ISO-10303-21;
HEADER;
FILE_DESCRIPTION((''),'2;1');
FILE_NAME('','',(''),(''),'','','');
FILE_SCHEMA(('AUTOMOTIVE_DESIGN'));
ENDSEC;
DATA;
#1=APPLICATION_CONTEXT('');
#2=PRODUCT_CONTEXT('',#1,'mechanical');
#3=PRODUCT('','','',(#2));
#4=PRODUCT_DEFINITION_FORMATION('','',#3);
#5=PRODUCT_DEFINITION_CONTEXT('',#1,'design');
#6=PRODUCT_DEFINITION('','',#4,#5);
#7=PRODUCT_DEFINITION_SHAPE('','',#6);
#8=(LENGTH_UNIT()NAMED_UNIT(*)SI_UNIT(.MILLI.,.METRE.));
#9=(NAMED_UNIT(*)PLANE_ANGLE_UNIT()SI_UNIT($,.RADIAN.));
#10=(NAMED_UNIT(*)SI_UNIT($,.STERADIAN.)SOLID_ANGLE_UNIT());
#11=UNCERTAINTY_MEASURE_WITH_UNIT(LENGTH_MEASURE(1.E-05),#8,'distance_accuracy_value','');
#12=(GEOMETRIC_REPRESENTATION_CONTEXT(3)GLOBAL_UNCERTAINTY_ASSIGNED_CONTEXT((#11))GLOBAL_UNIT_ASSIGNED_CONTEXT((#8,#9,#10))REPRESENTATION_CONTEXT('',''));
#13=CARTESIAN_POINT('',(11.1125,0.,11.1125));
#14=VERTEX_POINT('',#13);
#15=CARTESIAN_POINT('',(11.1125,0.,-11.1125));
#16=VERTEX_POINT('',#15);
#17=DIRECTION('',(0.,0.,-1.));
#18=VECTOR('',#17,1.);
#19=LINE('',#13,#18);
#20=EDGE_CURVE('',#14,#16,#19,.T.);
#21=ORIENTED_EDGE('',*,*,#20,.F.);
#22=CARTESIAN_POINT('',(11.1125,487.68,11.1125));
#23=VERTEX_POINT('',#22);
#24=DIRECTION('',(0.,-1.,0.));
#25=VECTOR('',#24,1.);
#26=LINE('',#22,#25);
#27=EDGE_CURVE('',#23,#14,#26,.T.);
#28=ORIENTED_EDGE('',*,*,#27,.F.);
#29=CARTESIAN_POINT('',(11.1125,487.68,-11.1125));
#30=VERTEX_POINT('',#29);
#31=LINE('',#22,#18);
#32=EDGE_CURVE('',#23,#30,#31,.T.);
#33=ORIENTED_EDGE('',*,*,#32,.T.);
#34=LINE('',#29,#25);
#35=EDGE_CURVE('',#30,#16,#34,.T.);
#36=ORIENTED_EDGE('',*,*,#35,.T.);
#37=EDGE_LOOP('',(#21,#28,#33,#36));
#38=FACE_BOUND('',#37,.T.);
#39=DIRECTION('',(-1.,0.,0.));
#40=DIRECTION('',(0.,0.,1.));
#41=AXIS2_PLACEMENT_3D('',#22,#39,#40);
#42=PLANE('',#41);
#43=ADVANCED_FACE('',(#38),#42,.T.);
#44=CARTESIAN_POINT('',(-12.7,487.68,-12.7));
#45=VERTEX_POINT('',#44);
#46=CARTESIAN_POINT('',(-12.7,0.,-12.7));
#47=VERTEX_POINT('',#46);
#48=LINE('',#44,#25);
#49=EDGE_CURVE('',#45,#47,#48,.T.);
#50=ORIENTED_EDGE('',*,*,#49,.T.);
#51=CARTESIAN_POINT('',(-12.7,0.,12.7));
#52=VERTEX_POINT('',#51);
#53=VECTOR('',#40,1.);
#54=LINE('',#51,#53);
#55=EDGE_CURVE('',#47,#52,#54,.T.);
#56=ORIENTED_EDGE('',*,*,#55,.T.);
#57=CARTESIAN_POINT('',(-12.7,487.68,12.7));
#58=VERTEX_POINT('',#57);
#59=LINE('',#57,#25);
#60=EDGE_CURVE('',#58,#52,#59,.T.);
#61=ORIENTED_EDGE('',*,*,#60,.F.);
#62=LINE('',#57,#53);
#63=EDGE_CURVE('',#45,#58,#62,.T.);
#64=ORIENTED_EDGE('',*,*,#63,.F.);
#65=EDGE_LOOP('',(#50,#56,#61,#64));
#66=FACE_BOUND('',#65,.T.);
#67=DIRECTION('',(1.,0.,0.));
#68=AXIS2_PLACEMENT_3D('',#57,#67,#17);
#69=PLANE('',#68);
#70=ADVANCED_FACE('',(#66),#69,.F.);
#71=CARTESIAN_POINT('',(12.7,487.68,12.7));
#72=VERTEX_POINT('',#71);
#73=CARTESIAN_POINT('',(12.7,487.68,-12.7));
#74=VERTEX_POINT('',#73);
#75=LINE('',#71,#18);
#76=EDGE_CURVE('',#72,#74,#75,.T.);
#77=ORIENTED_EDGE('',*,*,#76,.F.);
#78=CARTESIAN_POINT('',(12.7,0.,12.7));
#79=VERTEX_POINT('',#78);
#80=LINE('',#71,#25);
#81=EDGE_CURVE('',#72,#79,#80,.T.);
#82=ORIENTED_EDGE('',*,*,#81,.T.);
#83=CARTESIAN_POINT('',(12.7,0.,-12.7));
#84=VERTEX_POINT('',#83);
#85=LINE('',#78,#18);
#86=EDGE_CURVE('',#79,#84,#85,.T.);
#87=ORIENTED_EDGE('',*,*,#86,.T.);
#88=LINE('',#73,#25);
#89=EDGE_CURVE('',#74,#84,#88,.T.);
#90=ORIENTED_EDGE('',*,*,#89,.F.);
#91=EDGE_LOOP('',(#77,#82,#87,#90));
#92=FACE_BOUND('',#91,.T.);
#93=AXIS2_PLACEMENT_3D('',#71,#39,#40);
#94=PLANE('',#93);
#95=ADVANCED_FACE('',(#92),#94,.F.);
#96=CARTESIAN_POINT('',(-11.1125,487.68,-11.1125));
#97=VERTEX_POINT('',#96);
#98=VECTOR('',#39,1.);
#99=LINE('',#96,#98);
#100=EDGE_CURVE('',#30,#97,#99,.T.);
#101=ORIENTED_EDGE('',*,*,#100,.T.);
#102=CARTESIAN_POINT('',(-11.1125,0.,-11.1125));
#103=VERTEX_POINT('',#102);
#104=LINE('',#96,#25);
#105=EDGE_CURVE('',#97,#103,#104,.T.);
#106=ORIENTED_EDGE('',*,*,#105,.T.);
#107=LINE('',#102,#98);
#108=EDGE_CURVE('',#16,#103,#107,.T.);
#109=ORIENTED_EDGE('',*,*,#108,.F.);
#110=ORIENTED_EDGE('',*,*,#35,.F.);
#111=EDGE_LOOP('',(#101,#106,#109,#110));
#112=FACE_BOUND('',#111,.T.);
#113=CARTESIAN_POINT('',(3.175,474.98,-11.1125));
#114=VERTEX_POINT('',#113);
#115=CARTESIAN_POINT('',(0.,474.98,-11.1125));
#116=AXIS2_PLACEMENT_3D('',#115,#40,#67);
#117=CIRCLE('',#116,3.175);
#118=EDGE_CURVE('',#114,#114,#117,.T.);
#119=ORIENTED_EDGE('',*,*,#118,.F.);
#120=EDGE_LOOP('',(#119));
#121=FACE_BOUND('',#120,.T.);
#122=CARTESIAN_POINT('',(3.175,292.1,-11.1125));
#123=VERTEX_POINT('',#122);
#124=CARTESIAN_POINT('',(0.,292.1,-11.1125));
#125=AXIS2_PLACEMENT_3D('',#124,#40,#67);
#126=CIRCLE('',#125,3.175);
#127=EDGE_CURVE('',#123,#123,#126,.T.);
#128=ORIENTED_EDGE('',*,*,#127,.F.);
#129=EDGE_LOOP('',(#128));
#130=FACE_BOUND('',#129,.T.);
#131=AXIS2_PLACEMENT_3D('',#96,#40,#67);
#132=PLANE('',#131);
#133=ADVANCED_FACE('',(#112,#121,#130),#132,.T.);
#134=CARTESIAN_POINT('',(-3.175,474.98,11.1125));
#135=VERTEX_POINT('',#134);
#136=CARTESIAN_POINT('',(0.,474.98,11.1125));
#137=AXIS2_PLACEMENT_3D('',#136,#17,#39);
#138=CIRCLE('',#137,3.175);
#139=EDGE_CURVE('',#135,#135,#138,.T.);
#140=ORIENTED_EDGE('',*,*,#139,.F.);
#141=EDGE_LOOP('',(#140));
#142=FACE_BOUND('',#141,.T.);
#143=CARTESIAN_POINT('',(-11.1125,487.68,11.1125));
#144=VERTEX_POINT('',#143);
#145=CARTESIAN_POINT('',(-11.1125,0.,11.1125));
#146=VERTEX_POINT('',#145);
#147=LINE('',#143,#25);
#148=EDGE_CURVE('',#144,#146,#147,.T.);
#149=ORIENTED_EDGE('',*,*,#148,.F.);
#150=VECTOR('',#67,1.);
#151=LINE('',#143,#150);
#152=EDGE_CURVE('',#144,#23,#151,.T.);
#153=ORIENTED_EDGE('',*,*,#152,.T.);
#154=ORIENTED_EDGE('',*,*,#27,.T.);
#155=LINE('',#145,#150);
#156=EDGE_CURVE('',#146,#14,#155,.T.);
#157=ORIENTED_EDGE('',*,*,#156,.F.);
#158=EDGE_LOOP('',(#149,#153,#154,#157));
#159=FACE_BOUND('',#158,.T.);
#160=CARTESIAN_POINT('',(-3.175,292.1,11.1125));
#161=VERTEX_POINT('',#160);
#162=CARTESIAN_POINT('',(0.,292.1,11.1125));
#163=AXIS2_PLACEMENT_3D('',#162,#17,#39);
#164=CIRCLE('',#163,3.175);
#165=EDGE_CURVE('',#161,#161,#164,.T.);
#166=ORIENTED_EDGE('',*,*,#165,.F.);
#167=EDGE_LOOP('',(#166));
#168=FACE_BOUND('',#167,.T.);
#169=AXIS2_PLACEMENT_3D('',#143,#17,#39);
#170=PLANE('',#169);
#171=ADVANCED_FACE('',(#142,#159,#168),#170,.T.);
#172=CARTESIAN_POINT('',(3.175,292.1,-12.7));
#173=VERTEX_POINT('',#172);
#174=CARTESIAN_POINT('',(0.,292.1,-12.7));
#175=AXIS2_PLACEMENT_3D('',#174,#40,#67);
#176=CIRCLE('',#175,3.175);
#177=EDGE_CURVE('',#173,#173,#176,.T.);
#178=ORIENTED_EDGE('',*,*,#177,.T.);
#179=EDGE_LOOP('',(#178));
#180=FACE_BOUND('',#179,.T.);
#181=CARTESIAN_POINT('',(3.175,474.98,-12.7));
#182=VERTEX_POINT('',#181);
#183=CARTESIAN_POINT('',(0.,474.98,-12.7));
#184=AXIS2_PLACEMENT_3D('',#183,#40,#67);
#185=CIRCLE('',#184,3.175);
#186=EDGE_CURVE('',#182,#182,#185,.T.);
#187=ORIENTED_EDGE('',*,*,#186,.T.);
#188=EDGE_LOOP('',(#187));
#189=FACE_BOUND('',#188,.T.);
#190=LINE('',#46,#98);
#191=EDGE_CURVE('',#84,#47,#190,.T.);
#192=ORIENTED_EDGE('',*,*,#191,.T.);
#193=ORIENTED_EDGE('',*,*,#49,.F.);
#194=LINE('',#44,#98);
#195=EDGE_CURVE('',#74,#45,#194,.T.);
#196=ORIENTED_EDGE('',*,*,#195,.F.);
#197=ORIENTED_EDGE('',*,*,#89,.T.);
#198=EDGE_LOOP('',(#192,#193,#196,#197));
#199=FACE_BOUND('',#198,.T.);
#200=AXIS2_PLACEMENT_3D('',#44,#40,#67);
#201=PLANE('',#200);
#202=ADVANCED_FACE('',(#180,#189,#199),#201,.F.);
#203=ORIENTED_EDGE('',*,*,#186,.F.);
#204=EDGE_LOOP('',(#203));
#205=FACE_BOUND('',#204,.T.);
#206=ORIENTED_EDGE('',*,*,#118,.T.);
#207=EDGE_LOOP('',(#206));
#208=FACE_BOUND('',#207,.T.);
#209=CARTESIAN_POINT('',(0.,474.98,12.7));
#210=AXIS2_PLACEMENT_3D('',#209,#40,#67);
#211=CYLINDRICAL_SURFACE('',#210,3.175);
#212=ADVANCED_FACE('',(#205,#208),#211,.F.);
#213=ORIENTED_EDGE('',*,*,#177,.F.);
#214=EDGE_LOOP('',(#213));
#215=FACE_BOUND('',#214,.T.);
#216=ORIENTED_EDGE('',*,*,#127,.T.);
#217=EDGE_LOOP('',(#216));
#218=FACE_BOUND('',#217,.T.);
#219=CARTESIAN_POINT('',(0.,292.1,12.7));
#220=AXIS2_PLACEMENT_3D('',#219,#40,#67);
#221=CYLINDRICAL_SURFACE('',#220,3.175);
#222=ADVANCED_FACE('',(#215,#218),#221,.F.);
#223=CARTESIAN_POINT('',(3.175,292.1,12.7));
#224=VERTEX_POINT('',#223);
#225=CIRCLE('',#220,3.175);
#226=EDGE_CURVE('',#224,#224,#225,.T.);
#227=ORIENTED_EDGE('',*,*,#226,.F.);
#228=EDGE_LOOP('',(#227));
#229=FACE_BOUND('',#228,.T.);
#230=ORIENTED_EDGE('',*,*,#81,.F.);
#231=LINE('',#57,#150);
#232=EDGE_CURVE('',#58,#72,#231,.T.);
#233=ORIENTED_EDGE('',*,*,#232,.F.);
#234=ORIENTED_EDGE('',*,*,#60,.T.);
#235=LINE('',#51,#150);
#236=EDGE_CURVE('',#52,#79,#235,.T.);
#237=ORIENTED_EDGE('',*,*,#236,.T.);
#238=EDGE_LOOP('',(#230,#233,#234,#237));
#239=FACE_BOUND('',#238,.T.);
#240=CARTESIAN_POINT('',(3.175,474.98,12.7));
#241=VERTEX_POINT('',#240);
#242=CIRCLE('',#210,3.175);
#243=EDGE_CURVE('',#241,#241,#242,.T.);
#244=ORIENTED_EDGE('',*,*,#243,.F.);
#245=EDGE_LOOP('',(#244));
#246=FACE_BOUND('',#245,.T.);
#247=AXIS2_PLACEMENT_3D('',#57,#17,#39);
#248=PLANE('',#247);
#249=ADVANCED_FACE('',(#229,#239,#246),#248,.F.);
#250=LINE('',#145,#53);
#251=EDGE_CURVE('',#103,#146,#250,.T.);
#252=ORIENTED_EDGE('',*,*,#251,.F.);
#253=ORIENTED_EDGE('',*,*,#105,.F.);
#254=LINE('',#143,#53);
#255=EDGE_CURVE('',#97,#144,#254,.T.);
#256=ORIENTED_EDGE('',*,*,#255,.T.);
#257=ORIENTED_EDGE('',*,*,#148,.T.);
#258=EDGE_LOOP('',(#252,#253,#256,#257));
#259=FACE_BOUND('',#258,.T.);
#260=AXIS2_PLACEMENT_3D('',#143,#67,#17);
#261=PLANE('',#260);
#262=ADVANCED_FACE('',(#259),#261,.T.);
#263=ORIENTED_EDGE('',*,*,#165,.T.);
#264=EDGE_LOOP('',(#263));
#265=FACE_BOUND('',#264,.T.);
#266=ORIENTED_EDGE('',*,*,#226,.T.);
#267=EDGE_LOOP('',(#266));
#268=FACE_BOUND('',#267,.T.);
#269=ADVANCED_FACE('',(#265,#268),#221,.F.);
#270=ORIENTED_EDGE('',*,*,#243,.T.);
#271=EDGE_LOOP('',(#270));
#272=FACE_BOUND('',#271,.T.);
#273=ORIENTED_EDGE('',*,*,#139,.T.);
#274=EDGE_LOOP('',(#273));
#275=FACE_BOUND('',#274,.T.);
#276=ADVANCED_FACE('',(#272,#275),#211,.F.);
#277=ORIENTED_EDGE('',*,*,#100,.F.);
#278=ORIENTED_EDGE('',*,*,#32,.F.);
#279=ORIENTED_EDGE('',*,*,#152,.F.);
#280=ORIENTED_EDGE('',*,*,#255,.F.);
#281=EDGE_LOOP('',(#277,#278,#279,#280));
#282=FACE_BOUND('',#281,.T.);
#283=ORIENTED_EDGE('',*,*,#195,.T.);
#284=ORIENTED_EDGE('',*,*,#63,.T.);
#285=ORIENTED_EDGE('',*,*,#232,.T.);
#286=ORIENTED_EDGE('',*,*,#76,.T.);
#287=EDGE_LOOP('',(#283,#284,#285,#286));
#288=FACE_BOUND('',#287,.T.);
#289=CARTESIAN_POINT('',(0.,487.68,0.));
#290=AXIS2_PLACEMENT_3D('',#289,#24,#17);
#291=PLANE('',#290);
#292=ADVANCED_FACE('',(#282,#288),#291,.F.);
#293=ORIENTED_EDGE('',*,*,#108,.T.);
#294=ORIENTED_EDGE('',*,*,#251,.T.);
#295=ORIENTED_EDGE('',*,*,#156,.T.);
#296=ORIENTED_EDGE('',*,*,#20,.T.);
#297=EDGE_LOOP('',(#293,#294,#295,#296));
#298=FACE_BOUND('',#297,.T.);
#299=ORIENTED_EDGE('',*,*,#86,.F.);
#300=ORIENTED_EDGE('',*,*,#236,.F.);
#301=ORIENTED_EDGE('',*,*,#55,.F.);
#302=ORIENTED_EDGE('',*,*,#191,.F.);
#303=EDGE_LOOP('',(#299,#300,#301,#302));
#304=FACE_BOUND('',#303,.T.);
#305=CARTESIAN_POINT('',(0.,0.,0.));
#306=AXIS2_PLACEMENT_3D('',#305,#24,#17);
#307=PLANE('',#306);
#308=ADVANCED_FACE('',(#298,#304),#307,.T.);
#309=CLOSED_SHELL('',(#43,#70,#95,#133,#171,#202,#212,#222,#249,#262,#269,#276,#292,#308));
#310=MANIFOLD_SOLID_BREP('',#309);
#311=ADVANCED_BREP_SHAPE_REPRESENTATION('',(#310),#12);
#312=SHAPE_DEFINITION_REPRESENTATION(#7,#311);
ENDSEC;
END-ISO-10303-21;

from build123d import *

# Parameters (mm, degrees)
SKETCH1_W                   = 25.4
SKETCH1_H                   = 25.4
SKETCH1_W_2                 = 22.225
SKETCH1_H_2                 = 22.225
BOSS_EXTRUDE1_DEPTH         = 487.68
F_1_4_0_25_DIAMETER_HOLE1_D = 6.35


with BuildPart() as part:
    # Sketch1 → Boss-Extrude1 (new body)
    with BuildSketch(Plane(origin=(0, 0, 0), x_dir=(1, 0, 0), z_dir=(0, 1, 0))):
        Rectangle(SKETCH1_W, SKETCH1_H)
        Rectangle(SKETCH1_W_2, SKETCH1_H_2, mode=Mode.SUBTRACT)
    extrude(amount=BOSS_EXTRUDE1_DEPTH)

    # 1/4 (0.25) Diameter Hole1 (through all)
    with Locations(Plane.XY.offset(12.7)):
        with Locations((0, 474.98), (0, 292.1)):
            Hole(F_1_4_0_25_DIAMETER_HOLE1_D / 2)


solid = part.part
